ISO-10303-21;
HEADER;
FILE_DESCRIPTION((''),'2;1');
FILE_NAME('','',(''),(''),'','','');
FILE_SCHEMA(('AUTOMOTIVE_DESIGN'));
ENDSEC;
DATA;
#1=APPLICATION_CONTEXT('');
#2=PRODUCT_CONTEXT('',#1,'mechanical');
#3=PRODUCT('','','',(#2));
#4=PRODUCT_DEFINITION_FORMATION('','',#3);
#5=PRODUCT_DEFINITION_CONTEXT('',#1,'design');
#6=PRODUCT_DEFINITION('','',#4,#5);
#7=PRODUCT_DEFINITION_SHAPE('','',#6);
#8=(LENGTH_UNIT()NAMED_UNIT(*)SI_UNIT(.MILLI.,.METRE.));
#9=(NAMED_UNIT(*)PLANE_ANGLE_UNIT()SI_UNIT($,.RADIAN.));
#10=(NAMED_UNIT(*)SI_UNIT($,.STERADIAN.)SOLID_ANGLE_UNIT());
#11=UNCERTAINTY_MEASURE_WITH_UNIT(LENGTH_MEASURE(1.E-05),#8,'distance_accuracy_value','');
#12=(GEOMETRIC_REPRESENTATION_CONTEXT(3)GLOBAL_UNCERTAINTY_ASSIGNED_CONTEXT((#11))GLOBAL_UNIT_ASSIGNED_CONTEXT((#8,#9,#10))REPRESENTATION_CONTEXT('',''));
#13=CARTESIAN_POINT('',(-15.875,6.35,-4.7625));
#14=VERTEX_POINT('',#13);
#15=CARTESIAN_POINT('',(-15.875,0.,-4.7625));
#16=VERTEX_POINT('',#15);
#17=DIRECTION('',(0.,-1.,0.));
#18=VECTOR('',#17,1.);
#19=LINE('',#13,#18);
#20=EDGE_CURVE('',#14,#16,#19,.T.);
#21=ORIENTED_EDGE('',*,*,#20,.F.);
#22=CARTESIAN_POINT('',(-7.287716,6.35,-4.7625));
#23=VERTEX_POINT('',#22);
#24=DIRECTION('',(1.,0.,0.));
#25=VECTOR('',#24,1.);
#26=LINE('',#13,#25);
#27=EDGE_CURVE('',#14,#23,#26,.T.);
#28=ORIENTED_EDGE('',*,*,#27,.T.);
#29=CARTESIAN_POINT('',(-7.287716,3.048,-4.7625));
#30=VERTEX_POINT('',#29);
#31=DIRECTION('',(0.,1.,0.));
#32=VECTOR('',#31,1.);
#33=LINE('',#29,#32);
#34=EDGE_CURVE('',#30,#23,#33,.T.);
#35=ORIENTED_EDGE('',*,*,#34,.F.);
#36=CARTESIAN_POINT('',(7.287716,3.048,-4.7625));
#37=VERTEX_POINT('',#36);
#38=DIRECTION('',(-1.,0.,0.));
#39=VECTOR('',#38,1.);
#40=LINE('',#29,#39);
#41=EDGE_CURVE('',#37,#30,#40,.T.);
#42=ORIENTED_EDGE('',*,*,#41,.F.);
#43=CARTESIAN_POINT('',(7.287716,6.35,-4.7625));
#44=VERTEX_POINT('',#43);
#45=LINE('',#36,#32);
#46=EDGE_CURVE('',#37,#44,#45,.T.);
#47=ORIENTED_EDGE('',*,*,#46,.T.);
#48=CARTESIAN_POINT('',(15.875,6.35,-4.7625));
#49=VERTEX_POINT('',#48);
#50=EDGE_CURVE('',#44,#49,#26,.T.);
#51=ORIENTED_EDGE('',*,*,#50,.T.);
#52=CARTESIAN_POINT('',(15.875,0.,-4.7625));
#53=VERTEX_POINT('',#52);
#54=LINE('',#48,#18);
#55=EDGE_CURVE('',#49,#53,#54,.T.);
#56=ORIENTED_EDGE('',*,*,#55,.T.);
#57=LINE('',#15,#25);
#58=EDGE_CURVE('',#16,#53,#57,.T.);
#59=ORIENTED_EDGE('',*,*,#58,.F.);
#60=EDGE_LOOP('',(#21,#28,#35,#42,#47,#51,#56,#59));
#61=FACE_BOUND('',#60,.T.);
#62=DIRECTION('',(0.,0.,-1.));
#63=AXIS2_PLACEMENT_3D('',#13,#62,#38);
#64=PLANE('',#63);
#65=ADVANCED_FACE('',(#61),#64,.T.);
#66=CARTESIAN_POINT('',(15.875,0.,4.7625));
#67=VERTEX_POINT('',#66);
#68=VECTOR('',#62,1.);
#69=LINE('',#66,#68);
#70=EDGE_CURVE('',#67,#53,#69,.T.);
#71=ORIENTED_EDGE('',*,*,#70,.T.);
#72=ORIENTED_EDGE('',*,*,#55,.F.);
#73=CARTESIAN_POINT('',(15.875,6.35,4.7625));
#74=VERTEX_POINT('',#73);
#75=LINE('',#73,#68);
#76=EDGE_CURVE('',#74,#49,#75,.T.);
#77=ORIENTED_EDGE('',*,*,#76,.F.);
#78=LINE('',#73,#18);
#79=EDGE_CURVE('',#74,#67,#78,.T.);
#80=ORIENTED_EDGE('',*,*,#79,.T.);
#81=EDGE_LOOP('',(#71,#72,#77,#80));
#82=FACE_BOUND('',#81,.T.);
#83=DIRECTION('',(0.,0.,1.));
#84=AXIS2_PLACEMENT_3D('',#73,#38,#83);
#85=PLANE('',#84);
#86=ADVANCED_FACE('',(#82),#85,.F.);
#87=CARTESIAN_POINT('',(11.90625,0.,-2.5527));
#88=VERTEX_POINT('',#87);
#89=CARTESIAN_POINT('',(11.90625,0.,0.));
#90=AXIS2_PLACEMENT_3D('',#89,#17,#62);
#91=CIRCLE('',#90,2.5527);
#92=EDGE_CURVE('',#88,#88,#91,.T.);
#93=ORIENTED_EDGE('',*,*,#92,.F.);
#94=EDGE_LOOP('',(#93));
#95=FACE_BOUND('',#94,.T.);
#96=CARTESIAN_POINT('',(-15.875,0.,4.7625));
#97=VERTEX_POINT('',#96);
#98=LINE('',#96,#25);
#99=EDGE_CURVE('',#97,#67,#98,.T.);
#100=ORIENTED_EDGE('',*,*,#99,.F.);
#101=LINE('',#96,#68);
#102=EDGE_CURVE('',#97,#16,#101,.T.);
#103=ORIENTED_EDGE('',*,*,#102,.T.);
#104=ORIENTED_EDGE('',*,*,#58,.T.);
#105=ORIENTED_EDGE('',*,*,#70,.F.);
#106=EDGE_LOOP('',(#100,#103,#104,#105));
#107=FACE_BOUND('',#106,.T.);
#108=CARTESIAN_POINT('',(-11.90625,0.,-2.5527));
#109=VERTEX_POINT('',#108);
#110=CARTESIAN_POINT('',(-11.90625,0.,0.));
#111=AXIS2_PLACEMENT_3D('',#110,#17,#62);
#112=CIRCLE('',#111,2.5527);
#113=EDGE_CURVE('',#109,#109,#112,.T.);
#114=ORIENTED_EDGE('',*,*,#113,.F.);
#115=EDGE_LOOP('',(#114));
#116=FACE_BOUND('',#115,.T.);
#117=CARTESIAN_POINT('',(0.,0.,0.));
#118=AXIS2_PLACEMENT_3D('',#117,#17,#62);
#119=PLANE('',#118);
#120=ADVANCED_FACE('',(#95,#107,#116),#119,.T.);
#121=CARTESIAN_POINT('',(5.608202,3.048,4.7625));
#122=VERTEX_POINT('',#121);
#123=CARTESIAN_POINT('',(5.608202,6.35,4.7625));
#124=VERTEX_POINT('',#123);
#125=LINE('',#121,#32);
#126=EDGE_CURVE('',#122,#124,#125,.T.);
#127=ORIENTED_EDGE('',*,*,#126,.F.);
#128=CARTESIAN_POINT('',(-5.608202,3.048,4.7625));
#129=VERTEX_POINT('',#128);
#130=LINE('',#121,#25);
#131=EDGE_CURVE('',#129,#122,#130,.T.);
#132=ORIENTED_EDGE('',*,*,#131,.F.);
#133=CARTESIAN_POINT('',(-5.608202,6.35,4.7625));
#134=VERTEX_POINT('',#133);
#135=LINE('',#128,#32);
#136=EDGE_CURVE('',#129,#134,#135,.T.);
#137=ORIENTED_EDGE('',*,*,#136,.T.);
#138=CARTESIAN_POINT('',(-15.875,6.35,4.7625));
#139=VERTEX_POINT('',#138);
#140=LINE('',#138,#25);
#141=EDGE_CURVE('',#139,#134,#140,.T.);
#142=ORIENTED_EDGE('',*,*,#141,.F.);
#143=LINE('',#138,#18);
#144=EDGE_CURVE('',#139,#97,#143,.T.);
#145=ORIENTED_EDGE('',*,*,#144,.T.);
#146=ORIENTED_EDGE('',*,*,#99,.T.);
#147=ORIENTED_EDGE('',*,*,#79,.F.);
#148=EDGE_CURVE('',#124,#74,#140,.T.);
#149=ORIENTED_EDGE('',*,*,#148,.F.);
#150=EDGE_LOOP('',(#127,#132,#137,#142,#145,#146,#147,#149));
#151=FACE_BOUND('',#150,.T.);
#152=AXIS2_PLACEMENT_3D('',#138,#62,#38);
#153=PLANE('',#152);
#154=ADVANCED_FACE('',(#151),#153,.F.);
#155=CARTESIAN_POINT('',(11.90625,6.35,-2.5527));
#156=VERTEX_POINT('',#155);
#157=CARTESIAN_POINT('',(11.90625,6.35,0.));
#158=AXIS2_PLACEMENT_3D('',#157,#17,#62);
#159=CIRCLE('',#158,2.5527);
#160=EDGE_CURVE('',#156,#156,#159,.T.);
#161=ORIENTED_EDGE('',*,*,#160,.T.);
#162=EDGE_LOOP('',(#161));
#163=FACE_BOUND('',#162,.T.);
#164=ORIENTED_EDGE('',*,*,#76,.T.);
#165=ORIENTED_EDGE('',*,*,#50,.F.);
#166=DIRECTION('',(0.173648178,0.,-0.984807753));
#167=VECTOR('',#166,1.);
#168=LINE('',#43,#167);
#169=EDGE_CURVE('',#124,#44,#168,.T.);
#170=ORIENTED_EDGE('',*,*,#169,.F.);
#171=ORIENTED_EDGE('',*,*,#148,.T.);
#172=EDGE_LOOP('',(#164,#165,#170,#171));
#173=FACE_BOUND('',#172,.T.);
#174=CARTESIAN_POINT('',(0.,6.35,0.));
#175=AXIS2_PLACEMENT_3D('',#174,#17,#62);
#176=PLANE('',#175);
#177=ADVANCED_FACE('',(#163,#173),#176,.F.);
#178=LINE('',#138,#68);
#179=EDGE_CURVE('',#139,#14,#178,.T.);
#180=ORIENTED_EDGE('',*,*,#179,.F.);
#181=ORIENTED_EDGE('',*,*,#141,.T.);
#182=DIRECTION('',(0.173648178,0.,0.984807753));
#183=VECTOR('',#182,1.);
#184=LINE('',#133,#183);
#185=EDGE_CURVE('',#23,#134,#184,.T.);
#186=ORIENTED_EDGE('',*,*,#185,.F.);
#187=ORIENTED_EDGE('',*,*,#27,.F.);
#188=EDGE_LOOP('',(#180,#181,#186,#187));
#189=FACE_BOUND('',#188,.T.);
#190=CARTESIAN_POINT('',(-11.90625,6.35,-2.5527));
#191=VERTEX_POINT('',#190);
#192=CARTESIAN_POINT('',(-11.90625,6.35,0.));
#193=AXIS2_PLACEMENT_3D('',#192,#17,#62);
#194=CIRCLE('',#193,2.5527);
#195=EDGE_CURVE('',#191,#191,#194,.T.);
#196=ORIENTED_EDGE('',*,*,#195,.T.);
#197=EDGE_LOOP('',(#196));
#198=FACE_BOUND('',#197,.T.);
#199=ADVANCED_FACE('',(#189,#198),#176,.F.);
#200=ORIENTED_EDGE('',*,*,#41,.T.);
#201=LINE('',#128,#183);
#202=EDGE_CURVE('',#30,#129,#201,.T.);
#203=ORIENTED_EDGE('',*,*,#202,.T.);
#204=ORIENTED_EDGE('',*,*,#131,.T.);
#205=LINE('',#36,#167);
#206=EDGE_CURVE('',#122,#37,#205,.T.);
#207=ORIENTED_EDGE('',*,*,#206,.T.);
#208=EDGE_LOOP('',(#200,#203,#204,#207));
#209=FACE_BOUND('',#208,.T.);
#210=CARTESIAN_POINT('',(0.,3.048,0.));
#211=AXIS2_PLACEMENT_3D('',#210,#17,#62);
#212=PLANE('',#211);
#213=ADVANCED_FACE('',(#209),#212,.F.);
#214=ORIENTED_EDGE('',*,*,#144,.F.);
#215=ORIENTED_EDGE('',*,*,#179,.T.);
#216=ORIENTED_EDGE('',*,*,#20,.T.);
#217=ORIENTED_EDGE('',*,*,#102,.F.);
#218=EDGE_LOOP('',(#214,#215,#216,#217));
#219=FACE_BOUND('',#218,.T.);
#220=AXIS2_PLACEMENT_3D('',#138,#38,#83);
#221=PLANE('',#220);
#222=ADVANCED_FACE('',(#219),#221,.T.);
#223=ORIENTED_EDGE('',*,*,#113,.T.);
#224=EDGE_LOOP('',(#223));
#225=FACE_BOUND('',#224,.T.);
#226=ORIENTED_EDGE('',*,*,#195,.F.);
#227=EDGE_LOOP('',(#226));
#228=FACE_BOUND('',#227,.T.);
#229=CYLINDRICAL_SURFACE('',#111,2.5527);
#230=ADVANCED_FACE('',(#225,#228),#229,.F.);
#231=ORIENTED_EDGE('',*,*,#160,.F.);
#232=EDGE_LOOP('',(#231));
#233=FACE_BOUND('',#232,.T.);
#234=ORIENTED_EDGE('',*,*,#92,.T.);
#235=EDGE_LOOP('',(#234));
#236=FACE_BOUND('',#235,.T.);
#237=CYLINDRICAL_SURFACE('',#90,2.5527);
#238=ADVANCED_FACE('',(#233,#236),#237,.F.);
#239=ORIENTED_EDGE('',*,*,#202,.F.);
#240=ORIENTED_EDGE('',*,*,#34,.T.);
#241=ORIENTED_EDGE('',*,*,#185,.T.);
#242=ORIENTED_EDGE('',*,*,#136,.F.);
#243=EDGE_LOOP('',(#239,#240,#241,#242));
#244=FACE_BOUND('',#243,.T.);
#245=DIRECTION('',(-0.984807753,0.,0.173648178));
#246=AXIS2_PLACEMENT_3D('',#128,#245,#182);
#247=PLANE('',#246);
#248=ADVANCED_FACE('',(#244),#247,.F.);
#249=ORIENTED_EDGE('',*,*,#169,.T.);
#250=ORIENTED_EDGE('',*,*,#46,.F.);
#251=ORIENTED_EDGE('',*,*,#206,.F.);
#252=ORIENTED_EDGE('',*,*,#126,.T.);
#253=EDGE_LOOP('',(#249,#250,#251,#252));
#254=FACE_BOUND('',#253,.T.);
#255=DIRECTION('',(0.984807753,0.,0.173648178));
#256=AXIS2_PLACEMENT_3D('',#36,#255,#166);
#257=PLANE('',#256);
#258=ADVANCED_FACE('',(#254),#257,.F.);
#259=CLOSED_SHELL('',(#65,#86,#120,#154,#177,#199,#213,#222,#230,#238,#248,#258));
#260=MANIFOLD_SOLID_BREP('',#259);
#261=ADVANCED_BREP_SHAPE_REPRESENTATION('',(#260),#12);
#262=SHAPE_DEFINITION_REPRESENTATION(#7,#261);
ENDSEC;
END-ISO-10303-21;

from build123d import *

# Parameters (mm, degrees)
SKETCH1_W                  = 31.75
SKETCH1_H                  = 9.525
BOSS_EXTRUDE1_DEPTH        = 6.35
F_10_CLEARANCE_HOLE1_D     = 5.1054
F_10_CLEARANCE_HOLE1_DEPTH = 19.05
F_10_CLEARANCE_HOLE1_TIP   = 1.533816902
CUT_EXTRUDE1_DEPTH         = 3.302


with BuildPart() as part:
    # Sketch1 → Boss-Extrude1 (new body)
    with BuildSketch(Plane(origin=(0, 0, 0), x_dir=(1, 0, 0), z_dir=(0, 1, 0))):
        Rectangle(SKETCH1_W, SKETCH1_H)
    extrude(amount=BOSS_EXTRUDE1_DEPTH)

    # #10 Clearance Hole1
    with Locations(Plane(origin=(0, 0, 0), x_dir=(-1, 0, 0), z_dir=(0, -1, 0))):
        with Locations((11.90625, 0), (-11.90625, 0)):
            Hole(F_10_CLEARANCE_HOLE1_D / 2, depth=F_10_CLEARANCE_HOLE1_DEPTH)
            with Locations((0, 0, -(F_10_CLEARANCE_HOLE1_DEPTH + F_10_CLEARANCE_HOLE1_TIP / 2))):  # 118° drill point
                Cone(0, F_10_CLEARANCE_HOLE1_D / 2, F_10_CLEARANCE_HOLE1_TIP, mode=Mode.SUBTRACT)

    # Sketch4 → Cut-Extrude1 (cut)
    with BuildSketch(Plane(origin=(0, 6.35, 0), x_dir=(1, 0, 0), z_dir=(0, 1, 0))):
        Polygon((7.287716231, 4.7625), (5.60820174, -4.7625), (-5.60820174, -4.7625), (-7.287716231, 4.7625), align=None)
    extrude(amount=-CUT_EXTRUDE1_DEPTH, mode=Mode.SUBTRACT)


solid = part.part
